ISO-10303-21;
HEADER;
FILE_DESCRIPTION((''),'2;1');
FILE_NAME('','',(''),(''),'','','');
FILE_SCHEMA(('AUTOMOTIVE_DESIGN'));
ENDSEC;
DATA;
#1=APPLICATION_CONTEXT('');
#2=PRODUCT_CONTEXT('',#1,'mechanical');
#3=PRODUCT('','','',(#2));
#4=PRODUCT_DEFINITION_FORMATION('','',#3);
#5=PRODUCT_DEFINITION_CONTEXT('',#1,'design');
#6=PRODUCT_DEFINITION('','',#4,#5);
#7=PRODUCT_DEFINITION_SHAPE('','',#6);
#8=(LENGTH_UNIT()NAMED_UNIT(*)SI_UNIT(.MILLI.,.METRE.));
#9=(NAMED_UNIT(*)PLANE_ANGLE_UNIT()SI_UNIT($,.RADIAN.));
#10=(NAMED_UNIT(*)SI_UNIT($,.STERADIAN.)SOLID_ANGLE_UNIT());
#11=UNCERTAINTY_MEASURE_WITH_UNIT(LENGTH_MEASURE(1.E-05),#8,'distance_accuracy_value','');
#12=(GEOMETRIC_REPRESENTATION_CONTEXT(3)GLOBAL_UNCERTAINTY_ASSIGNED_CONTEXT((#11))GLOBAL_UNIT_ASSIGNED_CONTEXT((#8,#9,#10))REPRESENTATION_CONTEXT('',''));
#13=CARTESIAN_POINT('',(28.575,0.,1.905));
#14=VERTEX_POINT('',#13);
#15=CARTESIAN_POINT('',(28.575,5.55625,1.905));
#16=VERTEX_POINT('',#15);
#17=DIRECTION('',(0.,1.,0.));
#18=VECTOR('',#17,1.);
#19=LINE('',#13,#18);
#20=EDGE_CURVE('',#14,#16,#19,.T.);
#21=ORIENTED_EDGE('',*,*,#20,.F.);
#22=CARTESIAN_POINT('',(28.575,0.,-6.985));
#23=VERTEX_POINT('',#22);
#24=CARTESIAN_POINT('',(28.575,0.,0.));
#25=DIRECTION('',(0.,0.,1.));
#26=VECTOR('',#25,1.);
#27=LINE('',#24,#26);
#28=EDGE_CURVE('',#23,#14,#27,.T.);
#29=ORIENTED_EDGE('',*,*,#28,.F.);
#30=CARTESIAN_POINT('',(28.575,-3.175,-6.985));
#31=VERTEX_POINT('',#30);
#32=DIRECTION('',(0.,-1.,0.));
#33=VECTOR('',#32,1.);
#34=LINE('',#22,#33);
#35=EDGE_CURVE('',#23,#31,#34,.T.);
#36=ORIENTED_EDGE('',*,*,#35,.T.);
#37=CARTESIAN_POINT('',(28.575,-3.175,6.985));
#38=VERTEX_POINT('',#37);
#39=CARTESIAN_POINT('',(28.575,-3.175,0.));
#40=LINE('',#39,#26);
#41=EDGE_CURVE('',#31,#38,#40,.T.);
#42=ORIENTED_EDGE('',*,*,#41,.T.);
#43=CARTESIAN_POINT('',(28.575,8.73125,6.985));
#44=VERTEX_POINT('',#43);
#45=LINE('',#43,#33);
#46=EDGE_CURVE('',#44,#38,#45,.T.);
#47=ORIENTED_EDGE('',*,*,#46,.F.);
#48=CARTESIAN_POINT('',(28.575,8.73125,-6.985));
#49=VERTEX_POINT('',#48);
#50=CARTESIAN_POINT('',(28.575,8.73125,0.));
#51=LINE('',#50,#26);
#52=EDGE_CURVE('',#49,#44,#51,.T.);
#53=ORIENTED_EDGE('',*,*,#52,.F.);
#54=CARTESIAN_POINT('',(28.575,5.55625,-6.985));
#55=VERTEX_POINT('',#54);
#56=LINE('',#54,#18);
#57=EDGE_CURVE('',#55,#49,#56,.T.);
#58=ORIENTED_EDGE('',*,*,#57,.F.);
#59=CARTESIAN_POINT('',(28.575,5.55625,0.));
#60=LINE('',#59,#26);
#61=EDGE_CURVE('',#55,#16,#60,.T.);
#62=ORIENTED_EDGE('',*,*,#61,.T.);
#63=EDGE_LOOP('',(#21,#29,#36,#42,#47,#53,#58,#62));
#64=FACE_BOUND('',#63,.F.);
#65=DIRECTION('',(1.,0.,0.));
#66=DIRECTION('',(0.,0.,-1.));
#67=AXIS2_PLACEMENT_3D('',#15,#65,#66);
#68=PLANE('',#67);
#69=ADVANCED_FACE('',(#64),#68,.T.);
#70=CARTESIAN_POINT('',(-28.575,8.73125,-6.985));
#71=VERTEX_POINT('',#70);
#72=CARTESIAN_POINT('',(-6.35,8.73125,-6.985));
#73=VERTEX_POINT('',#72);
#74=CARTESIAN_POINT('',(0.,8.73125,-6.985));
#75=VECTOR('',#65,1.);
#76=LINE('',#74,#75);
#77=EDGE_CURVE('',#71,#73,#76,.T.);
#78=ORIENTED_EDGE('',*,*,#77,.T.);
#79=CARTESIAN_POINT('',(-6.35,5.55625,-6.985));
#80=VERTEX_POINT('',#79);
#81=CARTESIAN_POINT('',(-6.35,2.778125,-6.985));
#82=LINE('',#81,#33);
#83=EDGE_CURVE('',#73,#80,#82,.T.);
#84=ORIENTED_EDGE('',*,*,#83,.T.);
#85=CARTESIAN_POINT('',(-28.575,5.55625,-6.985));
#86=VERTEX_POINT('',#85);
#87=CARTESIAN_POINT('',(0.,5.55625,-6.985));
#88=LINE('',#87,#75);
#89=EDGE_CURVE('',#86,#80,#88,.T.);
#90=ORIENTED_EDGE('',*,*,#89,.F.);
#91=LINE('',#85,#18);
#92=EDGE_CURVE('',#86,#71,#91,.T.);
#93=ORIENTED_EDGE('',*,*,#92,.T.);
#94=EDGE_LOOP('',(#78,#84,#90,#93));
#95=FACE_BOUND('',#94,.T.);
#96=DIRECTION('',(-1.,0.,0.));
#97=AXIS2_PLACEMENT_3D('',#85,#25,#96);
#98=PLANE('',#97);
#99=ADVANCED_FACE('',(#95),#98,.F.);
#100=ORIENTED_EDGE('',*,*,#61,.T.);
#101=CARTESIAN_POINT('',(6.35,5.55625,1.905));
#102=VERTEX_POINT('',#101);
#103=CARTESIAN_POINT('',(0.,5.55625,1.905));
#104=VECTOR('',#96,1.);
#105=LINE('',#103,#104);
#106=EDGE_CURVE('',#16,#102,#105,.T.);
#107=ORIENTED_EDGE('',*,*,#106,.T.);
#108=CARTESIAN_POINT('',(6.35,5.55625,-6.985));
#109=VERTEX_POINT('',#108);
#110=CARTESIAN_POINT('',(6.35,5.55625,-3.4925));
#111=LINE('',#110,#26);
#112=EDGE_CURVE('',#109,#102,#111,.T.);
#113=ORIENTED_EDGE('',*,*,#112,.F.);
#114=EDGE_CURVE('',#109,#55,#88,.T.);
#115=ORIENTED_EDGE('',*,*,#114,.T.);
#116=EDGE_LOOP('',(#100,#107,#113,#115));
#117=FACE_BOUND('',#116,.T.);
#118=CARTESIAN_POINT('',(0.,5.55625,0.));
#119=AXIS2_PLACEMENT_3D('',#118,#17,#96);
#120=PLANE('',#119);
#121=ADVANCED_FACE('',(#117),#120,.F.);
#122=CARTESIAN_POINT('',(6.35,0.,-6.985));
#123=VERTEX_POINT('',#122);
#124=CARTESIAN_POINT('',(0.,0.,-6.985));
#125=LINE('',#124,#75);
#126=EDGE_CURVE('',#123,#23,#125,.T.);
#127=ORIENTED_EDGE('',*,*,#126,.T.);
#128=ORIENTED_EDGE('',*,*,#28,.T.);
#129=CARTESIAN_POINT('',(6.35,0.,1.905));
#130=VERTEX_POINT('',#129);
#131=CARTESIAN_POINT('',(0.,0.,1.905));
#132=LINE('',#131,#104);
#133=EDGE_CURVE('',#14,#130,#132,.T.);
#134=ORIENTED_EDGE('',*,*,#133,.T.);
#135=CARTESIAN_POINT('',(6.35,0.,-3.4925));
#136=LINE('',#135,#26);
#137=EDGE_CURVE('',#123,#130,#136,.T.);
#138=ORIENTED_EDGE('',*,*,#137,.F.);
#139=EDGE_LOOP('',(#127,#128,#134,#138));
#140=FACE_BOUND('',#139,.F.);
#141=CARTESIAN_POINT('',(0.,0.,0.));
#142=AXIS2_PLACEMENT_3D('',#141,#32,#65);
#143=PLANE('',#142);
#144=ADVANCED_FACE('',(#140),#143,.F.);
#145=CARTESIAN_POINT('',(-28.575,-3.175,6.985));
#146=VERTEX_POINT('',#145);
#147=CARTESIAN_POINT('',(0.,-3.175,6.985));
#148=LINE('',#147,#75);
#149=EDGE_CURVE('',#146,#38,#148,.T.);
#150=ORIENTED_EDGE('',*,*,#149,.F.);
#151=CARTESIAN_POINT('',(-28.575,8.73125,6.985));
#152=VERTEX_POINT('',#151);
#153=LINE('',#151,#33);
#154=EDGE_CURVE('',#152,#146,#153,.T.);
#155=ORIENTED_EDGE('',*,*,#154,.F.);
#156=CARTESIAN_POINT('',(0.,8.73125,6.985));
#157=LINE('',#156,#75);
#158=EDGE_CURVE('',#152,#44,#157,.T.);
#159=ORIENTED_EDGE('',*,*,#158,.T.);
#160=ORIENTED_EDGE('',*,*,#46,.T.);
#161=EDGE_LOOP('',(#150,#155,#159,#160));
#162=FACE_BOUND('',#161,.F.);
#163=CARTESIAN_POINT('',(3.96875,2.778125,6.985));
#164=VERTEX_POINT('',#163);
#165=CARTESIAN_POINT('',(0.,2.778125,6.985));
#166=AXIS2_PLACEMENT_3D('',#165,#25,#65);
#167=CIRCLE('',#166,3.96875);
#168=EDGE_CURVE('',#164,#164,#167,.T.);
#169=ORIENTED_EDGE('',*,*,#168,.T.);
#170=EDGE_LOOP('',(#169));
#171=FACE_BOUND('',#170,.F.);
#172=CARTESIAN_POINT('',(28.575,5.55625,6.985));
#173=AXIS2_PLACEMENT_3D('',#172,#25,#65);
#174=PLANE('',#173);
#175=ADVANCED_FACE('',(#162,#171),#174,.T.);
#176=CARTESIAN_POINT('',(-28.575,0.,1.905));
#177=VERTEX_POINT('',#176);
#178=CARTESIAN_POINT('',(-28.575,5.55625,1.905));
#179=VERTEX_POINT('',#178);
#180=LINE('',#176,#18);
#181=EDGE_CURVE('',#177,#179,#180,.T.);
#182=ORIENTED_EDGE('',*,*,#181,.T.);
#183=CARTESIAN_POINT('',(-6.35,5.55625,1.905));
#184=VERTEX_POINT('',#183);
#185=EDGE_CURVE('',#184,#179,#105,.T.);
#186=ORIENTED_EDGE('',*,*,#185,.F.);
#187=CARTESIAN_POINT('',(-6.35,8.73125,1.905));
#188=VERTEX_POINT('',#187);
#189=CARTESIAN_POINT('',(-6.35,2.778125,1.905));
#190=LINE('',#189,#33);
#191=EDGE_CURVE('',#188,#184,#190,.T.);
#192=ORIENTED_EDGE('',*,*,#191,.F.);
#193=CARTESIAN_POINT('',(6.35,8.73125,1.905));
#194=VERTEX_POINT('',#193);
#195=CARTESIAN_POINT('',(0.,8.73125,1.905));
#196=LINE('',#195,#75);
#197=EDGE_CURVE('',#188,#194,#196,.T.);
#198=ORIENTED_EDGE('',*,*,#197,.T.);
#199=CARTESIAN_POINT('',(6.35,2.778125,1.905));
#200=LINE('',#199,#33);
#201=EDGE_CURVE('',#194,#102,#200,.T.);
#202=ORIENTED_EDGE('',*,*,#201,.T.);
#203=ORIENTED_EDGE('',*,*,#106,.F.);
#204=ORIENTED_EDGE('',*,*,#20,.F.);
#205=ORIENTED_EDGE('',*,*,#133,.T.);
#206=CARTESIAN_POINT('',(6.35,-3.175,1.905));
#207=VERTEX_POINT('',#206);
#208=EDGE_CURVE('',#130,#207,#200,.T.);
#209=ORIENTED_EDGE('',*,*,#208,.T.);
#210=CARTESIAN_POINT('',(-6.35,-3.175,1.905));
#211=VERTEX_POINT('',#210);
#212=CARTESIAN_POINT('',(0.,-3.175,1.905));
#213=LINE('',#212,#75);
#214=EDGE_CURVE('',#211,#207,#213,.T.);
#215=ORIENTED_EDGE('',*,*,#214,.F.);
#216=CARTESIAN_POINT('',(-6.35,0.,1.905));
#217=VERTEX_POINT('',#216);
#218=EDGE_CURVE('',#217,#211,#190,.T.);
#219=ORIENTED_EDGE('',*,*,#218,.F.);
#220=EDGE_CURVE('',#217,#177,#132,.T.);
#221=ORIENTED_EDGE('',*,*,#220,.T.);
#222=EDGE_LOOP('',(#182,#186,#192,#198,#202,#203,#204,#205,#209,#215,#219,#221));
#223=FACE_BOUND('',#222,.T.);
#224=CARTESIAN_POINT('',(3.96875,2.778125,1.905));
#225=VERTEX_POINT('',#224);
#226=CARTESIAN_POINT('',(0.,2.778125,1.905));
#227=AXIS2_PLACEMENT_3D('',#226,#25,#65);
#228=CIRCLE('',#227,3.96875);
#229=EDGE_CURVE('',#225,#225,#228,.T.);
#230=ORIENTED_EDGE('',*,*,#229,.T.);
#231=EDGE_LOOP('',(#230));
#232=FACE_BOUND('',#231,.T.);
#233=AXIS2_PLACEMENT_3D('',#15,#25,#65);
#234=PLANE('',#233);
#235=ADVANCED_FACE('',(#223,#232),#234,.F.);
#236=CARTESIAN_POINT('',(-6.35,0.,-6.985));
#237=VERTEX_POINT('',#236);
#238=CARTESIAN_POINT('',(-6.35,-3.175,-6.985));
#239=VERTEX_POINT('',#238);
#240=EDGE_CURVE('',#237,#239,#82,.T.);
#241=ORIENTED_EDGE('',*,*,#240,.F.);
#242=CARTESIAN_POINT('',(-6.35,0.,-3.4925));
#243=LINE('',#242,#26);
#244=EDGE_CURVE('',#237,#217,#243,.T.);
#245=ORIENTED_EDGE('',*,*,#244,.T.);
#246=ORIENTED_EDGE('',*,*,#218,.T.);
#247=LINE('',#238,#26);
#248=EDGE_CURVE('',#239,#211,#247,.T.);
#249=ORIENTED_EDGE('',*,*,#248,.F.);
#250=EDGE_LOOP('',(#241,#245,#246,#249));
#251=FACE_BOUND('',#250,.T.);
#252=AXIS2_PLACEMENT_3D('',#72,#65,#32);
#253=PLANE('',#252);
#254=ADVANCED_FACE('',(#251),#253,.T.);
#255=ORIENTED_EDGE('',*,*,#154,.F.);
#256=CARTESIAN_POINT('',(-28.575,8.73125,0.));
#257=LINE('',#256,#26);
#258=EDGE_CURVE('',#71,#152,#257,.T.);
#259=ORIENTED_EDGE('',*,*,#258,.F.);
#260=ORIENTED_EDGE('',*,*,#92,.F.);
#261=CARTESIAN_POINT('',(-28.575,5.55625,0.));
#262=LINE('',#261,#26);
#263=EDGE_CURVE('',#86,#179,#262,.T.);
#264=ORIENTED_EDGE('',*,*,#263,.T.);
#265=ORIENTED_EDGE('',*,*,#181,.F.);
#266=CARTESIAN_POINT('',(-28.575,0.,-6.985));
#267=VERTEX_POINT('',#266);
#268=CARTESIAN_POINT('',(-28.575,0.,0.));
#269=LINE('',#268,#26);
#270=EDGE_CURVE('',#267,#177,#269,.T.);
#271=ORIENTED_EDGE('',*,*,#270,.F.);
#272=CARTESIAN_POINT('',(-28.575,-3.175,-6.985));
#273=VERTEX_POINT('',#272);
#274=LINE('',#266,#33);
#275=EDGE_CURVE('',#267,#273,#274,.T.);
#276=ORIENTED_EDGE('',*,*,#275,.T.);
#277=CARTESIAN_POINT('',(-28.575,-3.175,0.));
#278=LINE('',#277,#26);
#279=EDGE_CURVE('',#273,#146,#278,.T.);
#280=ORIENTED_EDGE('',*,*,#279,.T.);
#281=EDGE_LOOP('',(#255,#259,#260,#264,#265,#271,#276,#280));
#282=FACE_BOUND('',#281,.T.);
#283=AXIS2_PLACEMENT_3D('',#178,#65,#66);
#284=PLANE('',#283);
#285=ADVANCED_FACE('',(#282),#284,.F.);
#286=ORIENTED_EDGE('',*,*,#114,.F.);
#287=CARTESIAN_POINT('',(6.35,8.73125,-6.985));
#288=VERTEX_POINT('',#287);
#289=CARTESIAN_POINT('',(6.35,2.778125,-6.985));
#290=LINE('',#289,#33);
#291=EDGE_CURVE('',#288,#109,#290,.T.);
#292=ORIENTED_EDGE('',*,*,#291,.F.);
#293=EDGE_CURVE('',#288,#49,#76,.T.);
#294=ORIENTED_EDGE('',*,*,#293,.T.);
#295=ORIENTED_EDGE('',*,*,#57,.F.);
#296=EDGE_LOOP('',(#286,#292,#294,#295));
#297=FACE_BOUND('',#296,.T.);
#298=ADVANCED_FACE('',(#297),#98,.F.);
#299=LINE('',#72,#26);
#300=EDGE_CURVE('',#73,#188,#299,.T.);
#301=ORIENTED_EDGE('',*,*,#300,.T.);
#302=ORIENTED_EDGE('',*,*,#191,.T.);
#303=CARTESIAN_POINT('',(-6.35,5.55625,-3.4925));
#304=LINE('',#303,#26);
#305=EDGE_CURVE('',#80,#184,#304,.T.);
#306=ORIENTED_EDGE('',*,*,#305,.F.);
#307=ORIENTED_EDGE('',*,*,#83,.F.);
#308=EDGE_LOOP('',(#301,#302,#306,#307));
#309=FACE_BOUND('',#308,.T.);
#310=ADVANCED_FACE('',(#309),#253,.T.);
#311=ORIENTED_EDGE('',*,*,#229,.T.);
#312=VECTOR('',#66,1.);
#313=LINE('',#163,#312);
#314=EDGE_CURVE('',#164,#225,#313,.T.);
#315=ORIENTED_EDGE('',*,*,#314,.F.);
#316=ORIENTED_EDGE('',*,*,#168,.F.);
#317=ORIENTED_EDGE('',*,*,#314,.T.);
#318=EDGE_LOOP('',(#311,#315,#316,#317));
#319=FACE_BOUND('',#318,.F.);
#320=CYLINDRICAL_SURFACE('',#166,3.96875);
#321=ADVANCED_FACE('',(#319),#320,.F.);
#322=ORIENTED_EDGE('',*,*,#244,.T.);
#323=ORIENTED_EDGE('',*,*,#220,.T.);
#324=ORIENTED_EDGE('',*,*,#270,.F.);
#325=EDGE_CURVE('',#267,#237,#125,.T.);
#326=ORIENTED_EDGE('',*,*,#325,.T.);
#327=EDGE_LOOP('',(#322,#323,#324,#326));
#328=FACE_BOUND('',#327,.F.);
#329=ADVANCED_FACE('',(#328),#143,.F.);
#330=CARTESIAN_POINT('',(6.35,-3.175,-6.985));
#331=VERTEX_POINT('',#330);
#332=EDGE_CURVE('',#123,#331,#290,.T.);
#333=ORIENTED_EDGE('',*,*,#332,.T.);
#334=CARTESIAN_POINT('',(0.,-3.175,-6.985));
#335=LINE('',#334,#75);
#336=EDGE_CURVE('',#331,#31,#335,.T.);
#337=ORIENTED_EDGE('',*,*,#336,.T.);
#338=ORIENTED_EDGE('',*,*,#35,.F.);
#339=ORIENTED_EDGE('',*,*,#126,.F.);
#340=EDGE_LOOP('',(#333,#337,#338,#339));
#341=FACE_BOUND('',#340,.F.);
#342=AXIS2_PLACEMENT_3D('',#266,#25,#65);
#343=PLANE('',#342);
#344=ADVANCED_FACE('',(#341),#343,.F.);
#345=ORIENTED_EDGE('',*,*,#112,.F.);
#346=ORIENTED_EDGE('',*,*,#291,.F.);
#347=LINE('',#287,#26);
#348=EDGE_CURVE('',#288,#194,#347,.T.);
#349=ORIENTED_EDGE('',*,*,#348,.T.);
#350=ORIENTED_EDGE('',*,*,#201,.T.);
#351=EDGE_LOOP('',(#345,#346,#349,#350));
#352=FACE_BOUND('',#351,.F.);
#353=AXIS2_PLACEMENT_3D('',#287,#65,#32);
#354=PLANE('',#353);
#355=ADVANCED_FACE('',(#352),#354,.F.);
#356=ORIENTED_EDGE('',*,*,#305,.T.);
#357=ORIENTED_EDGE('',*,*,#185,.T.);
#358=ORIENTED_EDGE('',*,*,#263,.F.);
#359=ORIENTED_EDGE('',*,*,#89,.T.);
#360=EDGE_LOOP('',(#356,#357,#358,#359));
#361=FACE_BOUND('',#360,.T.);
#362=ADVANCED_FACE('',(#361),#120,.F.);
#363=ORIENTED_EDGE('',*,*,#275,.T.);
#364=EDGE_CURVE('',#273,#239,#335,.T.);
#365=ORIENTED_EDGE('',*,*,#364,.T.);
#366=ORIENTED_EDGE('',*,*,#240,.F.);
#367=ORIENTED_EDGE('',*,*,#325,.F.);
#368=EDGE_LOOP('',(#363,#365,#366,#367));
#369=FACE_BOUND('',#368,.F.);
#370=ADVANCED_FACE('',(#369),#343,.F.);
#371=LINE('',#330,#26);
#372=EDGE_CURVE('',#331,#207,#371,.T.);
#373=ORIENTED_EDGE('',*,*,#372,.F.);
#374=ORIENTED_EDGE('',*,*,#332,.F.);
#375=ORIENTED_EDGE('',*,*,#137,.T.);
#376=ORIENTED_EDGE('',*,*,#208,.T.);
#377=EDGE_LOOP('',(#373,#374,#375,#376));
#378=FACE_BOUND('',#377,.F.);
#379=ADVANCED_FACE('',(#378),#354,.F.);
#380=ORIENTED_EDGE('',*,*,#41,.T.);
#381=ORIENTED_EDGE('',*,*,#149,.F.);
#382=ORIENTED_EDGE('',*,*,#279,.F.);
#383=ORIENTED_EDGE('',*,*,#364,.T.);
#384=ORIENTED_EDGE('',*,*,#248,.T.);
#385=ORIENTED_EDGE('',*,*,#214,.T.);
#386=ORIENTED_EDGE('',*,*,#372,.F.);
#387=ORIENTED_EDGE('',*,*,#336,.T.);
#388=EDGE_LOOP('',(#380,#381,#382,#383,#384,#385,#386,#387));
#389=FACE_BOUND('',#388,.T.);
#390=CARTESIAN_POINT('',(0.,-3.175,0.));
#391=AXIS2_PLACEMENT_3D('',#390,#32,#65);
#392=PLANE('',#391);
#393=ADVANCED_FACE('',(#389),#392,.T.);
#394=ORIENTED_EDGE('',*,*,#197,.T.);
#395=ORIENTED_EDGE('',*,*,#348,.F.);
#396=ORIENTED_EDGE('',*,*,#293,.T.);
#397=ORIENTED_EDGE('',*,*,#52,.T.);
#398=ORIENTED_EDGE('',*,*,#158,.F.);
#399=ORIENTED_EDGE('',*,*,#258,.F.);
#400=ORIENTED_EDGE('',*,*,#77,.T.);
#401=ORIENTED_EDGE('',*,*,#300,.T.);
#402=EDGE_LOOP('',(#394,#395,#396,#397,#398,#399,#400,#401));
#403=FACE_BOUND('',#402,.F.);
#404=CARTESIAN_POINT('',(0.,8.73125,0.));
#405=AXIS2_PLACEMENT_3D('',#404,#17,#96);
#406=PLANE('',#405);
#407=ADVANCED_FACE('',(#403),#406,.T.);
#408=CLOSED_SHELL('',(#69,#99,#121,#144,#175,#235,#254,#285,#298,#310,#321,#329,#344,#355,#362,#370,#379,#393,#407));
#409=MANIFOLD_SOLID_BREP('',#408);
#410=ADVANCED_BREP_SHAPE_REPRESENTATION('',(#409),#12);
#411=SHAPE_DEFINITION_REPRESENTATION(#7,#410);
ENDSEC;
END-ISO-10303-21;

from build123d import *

# Parameters (mm, degrees)
F0_W     = 57.15
F0_H     = 13.97
F1_DEPTH = 3.175
F2_W     = 57.15
F2_H     = 5.08
F3_DEPTH = 2.778125
F5_R     = 3.96875
F6_DEPTH = 13.971
F7_W     = 12.7
F7_H     = 11.90625
F8_DEPTH = 8.89


with BuildPart() as f1:
    # F0 (on Front) → F1 (new body)
    with BuildSketch(Plane.XZ):
        Rectangle(F0_W, F0_H)
    extrude(amount=F1_DEPTH)

    # F2 (on face) → F3 (join)
    with BuildSketch(Plane(origin=(0, 0, 0), x_dir=(-1, 0, 0), z_dir=(0, 1, 0))):
        with Locations((0, 4.445)):
            Rectangle(F2_W, F2_H)
    extrude(amount=F3_DEPTH)

    # F4: F1 across face


with BuildPart() as f1_1:
    add(f1.part)
    add(f1.part.mirror(Plane(origin=(0, 2.778125, 4.445), x_dir=(-1, 0, 0), z_dir=(0, 1, 0))))

    # F5 (on face) → F6 (cut, through all)
    with BuildSketch(Plane.XY.offset(6.985)):
        with Locations((0, 2.778125)):
            Circle(F5_R)
    extrude(amount=-F6_DEPTH, mode=Mode.SUBTRACT)

    # F7 (on face) → F8 (cut)
    with BuildSketch(Plane(origin=(0, 0, -6.985), x_dir=(1, 0, 0), z_dir=(0, 0, -1))):
        with Locations((0, -2.778125)):
            Rectangle(F7_W, F7_H)
    extrude(amount=-F8_DEPTH, mode=Mode.SUBTRACT)


solid = f1_1.part
